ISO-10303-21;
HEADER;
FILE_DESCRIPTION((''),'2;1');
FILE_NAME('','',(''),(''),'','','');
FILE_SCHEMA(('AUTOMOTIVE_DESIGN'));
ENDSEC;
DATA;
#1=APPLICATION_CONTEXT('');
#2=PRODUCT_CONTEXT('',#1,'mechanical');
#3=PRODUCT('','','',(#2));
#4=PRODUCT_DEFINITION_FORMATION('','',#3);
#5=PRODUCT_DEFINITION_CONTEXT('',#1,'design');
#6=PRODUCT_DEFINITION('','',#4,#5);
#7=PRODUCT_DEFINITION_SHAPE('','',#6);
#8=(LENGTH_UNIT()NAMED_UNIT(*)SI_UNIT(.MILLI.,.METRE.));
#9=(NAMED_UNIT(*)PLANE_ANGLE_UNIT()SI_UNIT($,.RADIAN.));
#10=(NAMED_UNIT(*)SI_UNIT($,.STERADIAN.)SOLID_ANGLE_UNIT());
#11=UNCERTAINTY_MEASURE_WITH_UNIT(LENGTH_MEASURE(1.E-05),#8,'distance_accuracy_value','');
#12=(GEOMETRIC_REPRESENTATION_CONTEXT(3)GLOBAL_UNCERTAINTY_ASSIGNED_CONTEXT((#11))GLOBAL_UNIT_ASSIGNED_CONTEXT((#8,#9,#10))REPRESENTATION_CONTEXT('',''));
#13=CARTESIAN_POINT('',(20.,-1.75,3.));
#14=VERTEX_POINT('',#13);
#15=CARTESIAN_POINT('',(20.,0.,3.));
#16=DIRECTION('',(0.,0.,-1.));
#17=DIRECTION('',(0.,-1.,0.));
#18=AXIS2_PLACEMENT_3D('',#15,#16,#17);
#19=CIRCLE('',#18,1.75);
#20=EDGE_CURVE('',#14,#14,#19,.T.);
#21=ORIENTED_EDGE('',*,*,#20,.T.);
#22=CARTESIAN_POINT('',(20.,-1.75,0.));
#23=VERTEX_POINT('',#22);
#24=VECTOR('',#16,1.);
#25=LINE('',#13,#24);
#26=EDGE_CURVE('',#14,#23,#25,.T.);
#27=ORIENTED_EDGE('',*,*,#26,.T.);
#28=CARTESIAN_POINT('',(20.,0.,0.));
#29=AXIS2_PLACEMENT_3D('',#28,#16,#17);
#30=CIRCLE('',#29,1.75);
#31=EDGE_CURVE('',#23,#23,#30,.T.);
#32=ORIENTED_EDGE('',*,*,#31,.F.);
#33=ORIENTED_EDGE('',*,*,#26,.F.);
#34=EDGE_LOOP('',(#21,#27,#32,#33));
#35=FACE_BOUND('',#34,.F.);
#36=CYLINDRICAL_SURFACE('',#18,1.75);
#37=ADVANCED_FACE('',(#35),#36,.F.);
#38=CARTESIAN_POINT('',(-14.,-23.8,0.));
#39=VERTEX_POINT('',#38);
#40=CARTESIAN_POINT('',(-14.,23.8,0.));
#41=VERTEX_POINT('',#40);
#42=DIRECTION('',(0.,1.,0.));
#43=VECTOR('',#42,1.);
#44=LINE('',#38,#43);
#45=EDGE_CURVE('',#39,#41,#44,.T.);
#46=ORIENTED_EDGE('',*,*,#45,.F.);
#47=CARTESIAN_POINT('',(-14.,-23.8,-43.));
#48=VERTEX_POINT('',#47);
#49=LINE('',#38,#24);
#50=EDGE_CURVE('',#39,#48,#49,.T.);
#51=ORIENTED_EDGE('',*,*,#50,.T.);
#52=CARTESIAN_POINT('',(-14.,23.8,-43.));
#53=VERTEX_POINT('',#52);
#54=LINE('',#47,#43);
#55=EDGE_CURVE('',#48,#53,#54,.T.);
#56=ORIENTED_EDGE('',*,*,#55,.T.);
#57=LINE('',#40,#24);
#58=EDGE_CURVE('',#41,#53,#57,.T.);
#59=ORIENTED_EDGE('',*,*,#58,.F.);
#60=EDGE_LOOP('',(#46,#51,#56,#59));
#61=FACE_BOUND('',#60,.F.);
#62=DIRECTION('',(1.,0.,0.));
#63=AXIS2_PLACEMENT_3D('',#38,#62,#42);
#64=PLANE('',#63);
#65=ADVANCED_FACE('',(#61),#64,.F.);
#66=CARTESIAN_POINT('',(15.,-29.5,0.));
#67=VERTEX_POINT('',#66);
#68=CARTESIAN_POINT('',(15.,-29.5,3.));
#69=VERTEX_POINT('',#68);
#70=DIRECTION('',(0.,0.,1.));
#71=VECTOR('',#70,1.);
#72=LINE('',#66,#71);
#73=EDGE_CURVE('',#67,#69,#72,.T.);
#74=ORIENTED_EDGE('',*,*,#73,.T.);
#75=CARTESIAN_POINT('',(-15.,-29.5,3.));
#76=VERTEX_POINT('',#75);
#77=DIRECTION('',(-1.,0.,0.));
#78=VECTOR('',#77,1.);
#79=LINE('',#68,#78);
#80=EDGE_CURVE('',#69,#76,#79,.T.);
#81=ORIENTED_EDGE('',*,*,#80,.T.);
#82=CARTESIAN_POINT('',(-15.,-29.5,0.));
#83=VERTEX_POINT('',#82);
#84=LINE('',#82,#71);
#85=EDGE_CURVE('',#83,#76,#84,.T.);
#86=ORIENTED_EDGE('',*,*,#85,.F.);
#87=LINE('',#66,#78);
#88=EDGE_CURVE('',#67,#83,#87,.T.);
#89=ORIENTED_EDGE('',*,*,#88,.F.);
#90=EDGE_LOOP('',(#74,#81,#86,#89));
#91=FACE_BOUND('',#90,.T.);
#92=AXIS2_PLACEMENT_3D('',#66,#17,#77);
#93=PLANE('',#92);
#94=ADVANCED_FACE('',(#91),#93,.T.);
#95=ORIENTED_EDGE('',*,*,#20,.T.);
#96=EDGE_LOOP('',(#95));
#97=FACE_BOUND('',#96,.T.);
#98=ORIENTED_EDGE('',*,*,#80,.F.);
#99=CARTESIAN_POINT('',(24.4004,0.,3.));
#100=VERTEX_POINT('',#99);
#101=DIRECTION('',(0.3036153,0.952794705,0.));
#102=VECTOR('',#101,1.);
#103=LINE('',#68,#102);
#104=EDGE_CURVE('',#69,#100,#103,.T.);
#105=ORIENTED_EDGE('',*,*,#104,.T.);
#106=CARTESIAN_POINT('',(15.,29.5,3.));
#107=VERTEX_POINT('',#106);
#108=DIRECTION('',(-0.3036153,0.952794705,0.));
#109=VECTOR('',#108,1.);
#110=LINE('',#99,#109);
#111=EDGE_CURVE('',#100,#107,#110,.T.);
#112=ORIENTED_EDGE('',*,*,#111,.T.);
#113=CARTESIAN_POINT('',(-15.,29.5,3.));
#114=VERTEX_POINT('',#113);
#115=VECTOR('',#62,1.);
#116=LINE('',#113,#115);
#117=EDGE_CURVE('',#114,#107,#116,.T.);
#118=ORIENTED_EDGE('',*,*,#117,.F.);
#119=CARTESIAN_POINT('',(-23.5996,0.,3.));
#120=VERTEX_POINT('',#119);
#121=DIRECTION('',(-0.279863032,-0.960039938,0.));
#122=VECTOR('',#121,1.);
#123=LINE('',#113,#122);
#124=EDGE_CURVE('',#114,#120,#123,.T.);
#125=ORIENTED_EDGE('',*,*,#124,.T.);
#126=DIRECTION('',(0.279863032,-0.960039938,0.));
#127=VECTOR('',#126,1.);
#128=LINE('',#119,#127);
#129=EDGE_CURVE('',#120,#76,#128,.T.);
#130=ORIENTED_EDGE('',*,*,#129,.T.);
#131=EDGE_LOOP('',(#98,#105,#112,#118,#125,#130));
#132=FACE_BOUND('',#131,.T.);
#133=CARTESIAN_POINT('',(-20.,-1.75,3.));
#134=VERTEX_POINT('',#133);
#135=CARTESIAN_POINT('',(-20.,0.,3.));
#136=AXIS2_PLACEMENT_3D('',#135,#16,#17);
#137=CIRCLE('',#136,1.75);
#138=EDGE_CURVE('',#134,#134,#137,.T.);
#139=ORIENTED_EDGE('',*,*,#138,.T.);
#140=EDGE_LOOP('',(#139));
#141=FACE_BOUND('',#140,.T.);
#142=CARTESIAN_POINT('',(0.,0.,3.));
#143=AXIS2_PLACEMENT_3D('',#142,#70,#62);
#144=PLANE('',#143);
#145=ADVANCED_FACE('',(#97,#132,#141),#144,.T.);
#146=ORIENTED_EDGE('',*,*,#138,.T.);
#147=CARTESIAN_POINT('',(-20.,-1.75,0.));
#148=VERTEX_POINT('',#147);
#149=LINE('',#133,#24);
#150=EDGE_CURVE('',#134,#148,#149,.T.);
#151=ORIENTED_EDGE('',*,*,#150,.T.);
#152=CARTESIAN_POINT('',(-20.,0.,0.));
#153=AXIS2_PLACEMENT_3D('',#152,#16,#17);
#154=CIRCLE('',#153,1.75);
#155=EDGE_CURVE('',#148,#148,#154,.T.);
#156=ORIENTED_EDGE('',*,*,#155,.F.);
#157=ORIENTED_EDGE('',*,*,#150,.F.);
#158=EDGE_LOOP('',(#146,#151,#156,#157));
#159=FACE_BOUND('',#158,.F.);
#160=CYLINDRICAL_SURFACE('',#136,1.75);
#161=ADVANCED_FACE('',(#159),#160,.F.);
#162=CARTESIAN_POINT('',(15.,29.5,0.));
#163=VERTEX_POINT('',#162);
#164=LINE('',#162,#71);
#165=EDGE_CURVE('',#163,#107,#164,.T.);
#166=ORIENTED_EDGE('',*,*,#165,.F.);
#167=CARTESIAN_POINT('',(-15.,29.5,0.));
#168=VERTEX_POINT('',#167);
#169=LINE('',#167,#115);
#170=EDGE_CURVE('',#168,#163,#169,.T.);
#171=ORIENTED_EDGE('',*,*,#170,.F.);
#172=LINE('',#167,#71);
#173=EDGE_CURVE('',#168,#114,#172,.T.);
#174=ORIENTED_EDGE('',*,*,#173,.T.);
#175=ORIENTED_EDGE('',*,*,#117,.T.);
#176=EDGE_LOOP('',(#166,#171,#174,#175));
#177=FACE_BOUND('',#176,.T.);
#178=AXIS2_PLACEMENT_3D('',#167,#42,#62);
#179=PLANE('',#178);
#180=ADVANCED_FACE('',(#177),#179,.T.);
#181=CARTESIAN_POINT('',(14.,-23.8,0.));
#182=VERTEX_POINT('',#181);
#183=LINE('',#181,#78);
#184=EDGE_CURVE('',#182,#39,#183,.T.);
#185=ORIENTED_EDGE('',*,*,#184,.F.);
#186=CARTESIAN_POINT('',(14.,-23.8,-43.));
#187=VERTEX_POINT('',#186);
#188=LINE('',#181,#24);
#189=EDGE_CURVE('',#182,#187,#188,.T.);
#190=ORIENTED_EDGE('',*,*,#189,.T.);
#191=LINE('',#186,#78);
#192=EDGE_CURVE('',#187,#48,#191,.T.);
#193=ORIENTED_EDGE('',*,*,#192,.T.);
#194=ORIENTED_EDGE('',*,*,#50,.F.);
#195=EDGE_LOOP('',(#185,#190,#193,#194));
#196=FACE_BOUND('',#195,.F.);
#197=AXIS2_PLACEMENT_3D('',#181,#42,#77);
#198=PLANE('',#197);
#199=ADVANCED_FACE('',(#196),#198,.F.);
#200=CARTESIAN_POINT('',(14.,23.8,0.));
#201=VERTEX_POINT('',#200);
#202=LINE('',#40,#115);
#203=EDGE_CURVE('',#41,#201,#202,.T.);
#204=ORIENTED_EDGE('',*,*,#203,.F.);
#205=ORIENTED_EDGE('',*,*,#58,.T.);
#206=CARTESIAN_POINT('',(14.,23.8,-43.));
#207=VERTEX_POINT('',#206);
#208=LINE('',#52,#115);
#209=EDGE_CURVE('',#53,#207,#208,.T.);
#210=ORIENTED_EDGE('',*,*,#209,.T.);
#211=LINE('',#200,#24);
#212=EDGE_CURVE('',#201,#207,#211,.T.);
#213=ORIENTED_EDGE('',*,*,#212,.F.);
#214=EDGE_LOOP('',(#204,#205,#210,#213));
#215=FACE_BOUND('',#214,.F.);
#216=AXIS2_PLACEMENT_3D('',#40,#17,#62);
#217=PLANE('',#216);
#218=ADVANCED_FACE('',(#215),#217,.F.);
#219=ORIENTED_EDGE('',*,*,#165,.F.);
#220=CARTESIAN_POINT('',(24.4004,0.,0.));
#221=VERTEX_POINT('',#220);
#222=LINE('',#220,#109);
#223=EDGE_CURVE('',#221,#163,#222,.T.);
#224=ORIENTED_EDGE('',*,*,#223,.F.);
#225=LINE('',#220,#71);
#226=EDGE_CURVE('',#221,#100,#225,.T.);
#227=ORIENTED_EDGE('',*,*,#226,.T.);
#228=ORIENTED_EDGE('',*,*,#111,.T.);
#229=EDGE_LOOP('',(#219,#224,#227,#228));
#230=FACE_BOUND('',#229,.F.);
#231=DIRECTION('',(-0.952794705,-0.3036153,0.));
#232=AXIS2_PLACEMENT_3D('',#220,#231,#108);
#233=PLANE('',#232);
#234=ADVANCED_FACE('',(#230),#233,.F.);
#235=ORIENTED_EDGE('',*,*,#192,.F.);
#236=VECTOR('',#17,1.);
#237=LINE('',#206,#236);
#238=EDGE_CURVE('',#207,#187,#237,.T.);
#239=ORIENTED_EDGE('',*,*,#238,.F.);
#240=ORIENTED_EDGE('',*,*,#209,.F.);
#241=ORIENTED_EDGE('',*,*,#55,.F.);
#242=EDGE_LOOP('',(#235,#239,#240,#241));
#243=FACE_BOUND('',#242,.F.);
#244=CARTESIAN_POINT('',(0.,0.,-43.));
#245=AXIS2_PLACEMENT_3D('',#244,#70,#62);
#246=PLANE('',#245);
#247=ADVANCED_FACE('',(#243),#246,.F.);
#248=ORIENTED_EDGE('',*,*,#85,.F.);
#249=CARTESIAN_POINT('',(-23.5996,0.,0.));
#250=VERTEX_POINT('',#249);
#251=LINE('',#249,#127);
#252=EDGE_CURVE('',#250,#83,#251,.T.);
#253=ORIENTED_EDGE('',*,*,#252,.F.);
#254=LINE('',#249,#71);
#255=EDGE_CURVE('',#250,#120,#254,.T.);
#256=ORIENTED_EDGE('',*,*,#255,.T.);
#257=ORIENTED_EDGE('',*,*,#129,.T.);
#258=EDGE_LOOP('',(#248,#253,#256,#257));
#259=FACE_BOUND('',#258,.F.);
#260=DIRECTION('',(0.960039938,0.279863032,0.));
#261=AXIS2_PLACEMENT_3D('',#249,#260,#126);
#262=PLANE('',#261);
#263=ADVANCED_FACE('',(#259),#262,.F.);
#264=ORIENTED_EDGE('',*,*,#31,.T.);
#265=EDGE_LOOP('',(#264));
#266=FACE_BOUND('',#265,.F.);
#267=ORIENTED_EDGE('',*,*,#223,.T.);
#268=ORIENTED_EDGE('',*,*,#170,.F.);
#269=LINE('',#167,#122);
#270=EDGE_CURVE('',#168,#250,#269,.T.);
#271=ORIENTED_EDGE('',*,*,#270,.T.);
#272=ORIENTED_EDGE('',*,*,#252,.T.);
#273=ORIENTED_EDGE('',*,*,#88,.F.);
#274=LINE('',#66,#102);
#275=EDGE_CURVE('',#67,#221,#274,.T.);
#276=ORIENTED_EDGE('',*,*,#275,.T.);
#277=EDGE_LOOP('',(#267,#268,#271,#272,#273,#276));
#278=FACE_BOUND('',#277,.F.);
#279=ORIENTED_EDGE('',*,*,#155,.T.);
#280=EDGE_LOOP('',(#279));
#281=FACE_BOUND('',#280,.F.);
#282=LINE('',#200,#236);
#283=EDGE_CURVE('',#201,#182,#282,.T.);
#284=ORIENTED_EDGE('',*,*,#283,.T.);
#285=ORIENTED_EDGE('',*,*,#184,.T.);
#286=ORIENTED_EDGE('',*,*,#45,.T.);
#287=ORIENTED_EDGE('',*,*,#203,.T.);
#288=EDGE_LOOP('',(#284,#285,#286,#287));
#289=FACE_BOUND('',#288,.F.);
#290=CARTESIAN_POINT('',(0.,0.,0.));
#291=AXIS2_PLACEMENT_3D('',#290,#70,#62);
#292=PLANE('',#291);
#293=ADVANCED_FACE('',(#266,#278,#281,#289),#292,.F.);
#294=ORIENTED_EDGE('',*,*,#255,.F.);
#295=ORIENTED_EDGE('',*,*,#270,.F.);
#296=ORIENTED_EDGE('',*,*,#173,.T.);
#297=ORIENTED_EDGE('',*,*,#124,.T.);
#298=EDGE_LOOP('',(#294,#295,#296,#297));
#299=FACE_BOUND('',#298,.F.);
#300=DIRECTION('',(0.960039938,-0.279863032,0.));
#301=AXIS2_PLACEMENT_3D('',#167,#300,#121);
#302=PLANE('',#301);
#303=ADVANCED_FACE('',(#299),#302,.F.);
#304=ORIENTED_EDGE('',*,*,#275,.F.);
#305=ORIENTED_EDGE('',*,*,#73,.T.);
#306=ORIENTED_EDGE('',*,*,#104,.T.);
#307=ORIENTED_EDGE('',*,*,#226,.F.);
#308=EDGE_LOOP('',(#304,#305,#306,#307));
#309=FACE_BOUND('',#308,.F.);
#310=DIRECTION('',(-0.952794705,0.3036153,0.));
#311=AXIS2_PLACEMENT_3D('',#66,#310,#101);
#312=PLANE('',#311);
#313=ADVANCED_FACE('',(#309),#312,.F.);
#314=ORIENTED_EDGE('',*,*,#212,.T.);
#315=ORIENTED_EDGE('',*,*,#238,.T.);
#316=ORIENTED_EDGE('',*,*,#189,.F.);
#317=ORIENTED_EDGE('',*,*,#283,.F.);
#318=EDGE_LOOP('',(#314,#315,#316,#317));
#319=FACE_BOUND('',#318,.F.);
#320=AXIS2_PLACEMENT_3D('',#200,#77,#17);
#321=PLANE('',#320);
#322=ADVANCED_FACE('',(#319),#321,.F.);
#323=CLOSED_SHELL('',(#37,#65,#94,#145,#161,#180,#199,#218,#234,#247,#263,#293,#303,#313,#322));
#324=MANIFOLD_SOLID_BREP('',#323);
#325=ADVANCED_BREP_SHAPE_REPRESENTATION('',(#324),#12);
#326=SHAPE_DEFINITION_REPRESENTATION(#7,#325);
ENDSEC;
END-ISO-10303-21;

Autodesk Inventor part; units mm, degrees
ref_plane "YZ Plane" through (0, 0, 0) normal (1, 0, 0) x (0, 1, 0)
ref_plane "XZ Plane" through (0, 0, 0) normal (0, 1, 0) x (-1, 0, 0)
ref_plane "XY Plane" through (0, 0, 0) normal (0, 0, 1) x (1, 0, 0)
sketch "Skizze1" plane through (0, 0, 0) normal (0, 0, 1) x (1, 0, 0)
  line L0 (-14, -23.8) -> (-14, 23.8)
  line L1 (-14, 23.8) -> (14, 23.8)
  line L2 (14, 23.8) -> (14, -23.8)
  line L3 (14, -23.8) -> (-14, -23.8)
  line L4 (-14, -23.8) -> (14, 23.8) construction
  line L5 (-14, 23.8) -> (14, -23.8) construction
  point P0 (0, 0)
  dimension "d0" = 47.6
  dimension "d1" = 28
extrude "Extrusion1" add sketch "Skizze1" against normal blind 43
sketch "Skizze2" plane through (0, 0, 0) normal (0, 0, 1) x (1, 0, 0)
  line L0 (15, -29.5) -> (-15, -29.5)
  line L1 (-15, 29.5) -> (15, 29.5)
  line L2 (14, 23.8) -> (-14, 23.8) projected
  line L3 (-15, 29.5) -> (-23.5996, 0)
  line L4 (-23.5996, 0) -> (-15, -29.5)
  line L5 (15, -29.5) -> (24.4004, 0)
  line L6 (24.4004, 0) -> (15, 29.5)
  point P0 (0, 0)
  point P1 (0, 0)
  dimension "d4" = 5.7
  dimension "d15" = 59
  dimension "d16" = 48
  dimension "d17" = 30
extrude "Extrusion2" add sketch "Skizze2" along normal blind 3
sketch "Skizze3" plane through (0, 0, 3) normal (0, 0, 1) x (1, 0, 0)
  line L0 (15, 29.5) -> (-15, 29.5) projected
  line L1 (0, 29.5) -> (0, -29.5)
  line L2 (-15, -29.5) -> (15, -29.5) projected
  point P0 (0, 0)
  point P1 (-20, 0)
  point P2 (20, 0)
  dimension "d7" = 40
hole "Bohrung1" at (-20, 0, 3) at (20, 0, 3) direction (0, 0, -1) diameter 3.5 end through all
properties part number "Kaltstecker" material "Gummi, Silikon"
